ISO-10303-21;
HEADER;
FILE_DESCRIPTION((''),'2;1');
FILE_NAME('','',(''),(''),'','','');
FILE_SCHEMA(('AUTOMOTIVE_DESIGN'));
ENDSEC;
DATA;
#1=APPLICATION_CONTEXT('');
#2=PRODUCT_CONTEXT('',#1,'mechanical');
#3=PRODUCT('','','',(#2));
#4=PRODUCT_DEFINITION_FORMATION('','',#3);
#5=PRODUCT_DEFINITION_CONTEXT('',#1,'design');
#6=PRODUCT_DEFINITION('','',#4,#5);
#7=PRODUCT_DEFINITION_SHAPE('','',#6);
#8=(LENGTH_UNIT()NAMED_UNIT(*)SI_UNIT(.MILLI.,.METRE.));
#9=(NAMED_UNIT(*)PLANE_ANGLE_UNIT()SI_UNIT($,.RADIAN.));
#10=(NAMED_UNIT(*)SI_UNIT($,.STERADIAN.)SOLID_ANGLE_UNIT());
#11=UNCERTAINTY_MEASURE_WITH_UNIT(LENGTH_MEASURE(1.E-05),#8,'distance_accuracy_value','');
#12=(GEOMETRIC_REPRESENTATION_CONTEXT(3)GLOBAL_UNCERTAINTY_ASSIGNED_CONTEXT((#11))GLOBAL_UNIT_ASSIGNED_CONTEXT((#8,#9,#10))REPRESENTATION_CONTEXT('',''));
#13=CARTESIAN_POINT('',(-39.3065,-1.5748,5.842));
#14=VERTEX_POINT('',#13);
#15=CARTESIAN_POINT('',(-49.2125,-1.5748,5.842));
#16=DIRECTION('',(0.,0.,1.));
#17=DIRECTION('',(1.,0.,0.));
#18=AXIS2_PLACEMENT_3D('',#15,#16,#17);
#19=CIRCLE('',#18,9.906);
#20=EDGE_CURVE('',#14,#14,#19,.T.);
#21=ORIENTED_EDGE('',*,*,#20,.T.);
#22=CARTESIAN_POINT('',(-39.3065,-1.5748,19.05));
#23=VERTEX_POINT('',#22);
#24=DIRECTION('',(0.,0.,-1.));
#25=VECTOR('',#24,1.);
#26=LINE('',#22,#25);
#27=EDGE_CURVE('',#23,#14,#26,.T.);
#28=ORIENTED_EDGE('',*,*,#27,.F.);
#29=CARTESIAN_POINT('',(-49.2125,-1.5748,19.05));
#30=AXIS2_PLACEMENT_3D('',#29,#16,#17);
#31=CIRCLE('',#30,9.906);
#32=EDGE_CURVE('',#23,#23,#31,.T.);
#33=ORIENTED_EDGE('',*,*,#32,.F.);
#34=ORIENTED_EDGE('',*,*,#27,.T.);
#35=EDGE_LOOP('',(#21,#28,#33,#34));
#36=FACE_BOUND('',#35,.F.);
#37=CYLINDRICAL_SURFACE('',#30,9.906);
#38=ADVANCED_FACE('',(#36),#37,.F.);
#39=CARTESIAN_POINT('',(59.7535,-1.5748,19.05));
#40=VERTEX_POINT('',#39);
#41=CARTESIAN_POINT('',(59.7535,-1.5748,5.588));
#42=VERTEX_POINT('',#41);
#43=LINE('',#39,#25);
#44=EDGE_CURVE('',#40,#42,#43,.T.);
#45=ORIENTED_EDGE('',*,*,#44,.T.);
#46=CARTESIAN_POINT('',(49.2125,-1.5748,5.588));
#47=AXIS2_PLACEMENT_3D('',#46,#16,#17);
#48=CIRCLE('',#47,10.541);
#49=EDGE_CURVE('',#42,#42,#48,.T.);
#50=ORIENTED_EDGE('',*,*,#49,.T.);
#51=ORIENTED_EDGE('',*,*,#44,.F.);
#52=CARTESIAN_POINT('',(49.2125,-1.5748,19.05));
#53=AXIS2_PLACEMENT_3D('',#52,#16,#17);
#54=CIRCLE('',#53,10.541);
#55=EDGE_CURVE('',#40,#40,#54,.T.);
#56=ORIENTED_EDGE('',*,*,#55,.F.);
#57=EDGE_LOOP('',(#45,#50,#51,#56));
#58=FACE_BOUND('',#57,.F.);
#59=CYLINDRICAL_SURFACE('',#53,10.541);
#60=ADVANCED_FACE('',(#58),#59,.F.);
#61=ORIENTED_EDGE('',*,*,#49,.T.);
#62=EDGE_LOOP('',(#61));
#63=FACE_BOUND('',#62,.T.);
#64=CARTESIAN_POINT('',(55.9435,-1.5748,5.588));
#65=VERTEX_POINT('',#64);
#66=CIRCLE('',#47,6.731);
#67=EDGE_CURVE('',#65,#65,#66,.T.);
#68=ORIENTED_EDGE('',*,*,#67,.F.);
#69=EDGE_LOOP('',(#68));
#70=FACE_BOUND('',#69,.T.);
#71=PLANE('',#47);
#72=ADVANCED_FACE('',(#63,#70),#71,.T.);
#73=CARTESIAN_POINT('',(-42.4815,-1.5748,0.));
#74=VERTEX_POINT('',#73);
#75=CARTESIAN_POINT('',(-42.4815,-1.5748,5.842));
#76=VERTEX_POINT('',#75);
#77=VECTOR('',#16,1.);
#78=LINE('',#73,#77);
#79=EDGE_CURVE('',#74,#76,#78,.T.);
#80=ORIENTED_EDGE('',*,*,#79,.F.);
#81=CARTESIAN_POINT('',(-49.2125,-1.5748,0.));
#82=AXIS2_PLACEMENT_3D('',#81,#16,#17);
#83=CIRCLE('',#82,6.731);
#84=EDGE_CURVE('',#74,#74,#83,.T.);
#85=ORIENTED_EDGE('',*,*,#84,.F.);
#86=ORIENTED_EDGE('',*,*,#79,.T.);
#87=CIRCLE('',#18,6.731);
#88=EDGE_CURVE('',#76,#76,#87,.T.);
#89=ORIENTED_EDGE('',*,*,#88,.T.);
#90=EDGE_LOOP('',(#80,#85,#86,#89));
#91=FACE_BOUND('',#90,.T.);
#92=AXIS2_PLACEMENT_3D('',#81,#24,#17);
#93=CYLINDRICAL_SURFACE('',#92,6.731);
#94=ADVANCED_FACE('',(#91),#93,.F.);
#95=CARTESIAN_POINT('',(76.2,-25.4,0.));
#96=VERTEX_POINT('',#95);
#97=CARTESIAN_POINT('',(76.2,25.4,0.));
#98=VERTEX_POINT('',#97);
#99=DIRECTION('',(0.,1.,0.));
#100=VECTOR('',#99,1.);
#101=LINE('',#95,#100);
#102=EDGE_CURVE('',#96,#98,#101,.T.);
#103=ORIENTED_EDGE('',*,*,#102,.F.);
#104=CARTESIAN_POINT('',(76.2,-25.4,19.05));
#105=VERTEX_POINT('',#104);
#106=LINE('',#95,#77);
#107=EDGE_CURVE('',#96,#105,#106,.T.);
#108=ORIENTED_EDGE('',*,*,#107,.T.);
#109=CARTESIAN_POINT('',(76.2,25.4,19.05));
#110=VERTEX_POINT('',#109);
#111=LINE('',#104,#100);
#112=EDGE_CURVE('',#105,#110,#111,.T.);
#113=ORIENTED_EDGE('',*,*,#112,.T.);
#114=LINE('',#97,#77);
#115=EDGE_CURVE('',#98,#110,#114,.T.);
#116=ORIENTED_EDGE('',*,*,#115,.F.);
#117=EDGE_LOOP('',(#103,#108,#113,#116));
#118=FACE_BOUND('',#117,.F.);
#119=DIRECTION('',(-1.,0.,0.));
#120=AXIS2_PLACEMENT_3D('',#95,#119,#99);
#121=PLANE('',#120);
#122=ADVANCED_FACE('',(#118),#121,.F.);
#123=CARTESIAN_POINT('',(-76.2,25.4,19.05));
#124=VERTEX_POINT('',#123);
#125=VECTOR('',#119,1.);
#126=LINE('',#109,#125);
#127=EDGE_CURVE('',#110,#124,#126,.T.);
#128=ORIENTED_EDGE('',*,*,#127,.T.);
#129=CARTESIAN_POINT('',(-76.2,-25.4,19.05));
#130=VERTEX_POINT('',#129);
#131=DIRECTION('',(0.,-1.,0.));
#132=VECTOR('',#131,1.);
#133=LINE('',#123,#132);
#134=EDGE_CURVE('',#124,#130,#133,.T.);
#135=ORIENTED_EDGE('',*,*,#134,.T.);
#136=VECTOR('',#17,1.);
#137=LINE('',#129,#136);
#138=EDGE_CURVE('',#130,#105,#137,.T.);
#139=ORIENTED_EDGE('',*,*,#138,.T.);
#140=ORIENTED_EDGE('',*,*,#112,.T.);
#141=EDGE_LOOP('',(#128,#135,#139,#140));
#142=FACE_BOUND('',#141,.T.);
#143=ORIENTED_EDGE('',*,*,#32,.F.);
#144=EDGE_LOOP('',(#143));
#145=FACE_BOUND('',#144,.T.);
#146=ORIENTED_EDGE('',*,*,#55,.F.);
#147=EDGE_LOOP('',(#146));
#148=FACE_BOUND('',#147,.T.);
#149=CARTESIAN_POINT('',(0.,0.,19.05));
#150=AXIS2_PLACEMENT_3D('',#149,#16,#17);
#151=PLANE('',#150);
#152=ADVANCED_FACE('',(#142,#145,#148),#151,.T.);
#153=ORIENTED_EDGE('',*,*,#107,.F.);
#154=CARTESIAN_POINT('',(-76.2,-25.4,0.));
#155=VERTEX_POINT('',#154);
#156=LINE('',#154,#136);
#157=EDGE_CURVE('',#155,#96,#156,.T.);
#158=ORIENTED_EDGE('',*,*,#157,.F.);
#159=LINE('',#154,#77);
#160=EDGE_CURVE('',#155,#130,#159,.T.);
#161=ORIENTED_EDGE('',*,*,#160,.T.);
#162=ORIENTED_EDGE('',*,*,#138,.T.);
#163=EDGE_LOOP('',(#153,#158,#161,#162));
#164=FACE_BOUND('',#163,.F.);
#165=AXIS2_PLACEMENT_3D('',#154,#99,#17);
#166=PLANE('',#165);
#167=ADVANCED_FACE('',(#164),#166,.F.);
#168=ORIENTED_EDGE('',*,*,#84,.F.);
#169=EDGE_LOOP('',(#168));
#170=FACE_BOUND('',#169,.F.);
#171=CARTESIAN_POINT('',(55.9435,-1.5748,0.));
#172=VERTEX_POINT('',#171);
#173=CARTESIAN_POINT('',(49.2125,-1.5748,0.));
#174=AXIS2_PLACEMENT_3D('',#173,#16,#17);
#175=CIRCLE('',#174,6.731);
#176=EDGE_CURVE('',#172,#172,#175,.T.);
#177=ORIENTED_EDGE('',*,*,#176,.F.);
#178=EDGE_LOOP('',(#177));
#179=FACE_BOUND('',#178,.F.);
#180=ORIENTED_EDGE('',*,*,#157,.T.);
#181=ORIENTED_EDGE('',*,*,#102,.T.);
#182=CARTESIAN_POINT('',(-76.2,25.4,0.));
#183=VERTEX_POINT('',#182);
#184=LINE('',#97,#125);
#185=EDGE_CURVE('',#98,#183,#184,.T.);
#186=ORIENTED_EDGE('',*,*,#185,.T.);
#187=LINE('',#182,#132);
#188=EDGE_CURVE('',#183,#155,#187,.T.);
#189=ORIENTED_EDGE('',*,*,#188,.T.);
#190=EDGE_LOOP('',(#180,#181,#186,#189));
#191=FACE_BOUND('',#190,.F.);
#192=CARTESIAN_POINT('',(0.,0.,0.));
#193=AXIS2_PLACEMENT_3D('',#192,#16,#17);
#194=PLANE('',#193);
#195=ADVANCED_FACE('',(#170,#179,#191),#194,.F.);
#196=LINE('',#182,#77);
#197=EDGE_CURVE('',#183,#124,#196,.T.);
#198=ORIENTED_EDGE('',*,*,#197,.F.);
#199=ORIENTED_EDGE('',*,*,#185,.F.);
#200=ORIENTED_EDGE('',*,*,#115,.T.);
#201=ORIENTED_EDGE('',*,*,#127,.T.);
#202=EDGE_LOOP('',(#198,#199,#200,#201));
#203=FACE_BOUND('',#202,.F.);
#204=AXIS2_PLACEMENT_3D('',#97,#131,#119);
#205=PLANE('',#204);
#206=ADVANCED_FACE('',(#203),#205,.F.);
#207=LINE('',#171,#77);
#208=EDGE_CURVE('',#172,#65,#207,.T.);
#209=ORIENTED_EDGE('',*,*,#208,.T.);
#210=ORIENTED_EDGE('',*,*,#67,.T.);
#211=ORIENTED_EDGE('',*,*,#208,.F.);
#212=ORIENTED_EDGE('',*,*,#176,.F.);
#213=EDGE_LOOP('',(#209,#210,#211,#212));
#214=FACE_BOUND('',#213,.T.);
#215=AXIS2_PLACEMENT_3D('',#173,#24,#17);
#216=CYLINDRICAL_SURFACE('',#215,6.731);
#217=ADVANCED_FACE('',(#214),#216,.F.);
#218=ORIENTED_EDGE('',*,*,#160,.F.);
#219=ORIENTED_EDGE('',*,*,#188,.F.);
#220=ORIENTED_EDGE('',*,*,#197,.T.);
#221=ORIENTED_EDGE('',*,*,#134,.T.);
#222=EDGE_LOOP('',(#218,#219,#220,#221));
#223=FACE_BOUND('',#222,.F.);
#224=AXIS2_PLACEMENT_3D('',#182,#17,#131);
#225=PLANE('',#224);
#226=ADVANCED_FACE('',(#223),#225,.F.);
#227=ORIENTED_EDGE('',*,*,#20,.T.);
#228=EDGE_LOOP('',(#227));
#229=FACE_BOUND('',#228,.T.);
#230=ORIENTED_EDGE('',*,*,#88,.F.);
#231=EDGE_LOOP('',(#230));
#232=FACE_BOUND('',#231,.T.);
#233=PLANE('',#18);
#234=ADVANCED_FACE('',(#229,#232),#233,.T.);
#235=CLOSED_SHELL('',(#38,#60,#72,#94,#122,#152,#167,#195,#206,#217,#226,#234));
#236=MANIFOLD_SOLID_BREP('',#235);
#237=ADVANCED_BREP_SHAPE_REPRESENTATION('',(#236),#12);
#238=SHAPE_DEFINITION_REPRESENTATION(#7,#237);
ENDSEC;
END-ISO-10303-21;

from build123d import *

# Parameters (mm, degrees)
F0_R     = 6.731
F1_DEPTH = 19.05
F2_R     = 9.906
F2_R_2   = 6.731
F3_DEPTH = 13.208
F4_R     = 10.541
F4_R_2   = 6.731
F5_DEPTH = 13.462


with BuildPart() as f1:
    # F0 (on Top) → F1 (new body)
    with BuildSketch(Plane.XY):
        Polygon((22.225, -25.4), (76.2, -25.4), (76.2, 25.4), (-76.2, 25.4), (-76.2, -25.4), align=None)
        with Locations((-49.2125, -1.5748)):
            Circle(F0_R, mode=Mode.SUBTRACT)
        with Locations((49.2125, -1.5748)):
            Circle(F0_R, mode=Mode.SUBTRACT)
    extrude(amount=F1_DEPTH)

    # F2 (on face) → F3 (cut)
    with BuildSketch(Plane.XY.offset(19.05)):
        with Locations((-49.2125, -1.5748)):
            Circle(F2_R)
        with Locations((-49.2125, -1.5748)):
            Circle(F2_R_2, mode=Mode.SUBTRACT)
    extrude(amount=-F3_DEPTH, mode=Mode.SUBTRACT)

    # F4 (on face) → F5 (cut)
    with BuildSketch(Plane.XY.offset(19.05)):
        with Locations((49.2125, -1.5748)):
            Circle(F4_R)
        with Locations((49.2125, -1.5748)):
            Circle(F4_R_2, mode=Mode.SUBTRACT)
    extrude(amount=-F5_DEPTH, mode=Mode.SUBTRACT)


solid = f1.part
